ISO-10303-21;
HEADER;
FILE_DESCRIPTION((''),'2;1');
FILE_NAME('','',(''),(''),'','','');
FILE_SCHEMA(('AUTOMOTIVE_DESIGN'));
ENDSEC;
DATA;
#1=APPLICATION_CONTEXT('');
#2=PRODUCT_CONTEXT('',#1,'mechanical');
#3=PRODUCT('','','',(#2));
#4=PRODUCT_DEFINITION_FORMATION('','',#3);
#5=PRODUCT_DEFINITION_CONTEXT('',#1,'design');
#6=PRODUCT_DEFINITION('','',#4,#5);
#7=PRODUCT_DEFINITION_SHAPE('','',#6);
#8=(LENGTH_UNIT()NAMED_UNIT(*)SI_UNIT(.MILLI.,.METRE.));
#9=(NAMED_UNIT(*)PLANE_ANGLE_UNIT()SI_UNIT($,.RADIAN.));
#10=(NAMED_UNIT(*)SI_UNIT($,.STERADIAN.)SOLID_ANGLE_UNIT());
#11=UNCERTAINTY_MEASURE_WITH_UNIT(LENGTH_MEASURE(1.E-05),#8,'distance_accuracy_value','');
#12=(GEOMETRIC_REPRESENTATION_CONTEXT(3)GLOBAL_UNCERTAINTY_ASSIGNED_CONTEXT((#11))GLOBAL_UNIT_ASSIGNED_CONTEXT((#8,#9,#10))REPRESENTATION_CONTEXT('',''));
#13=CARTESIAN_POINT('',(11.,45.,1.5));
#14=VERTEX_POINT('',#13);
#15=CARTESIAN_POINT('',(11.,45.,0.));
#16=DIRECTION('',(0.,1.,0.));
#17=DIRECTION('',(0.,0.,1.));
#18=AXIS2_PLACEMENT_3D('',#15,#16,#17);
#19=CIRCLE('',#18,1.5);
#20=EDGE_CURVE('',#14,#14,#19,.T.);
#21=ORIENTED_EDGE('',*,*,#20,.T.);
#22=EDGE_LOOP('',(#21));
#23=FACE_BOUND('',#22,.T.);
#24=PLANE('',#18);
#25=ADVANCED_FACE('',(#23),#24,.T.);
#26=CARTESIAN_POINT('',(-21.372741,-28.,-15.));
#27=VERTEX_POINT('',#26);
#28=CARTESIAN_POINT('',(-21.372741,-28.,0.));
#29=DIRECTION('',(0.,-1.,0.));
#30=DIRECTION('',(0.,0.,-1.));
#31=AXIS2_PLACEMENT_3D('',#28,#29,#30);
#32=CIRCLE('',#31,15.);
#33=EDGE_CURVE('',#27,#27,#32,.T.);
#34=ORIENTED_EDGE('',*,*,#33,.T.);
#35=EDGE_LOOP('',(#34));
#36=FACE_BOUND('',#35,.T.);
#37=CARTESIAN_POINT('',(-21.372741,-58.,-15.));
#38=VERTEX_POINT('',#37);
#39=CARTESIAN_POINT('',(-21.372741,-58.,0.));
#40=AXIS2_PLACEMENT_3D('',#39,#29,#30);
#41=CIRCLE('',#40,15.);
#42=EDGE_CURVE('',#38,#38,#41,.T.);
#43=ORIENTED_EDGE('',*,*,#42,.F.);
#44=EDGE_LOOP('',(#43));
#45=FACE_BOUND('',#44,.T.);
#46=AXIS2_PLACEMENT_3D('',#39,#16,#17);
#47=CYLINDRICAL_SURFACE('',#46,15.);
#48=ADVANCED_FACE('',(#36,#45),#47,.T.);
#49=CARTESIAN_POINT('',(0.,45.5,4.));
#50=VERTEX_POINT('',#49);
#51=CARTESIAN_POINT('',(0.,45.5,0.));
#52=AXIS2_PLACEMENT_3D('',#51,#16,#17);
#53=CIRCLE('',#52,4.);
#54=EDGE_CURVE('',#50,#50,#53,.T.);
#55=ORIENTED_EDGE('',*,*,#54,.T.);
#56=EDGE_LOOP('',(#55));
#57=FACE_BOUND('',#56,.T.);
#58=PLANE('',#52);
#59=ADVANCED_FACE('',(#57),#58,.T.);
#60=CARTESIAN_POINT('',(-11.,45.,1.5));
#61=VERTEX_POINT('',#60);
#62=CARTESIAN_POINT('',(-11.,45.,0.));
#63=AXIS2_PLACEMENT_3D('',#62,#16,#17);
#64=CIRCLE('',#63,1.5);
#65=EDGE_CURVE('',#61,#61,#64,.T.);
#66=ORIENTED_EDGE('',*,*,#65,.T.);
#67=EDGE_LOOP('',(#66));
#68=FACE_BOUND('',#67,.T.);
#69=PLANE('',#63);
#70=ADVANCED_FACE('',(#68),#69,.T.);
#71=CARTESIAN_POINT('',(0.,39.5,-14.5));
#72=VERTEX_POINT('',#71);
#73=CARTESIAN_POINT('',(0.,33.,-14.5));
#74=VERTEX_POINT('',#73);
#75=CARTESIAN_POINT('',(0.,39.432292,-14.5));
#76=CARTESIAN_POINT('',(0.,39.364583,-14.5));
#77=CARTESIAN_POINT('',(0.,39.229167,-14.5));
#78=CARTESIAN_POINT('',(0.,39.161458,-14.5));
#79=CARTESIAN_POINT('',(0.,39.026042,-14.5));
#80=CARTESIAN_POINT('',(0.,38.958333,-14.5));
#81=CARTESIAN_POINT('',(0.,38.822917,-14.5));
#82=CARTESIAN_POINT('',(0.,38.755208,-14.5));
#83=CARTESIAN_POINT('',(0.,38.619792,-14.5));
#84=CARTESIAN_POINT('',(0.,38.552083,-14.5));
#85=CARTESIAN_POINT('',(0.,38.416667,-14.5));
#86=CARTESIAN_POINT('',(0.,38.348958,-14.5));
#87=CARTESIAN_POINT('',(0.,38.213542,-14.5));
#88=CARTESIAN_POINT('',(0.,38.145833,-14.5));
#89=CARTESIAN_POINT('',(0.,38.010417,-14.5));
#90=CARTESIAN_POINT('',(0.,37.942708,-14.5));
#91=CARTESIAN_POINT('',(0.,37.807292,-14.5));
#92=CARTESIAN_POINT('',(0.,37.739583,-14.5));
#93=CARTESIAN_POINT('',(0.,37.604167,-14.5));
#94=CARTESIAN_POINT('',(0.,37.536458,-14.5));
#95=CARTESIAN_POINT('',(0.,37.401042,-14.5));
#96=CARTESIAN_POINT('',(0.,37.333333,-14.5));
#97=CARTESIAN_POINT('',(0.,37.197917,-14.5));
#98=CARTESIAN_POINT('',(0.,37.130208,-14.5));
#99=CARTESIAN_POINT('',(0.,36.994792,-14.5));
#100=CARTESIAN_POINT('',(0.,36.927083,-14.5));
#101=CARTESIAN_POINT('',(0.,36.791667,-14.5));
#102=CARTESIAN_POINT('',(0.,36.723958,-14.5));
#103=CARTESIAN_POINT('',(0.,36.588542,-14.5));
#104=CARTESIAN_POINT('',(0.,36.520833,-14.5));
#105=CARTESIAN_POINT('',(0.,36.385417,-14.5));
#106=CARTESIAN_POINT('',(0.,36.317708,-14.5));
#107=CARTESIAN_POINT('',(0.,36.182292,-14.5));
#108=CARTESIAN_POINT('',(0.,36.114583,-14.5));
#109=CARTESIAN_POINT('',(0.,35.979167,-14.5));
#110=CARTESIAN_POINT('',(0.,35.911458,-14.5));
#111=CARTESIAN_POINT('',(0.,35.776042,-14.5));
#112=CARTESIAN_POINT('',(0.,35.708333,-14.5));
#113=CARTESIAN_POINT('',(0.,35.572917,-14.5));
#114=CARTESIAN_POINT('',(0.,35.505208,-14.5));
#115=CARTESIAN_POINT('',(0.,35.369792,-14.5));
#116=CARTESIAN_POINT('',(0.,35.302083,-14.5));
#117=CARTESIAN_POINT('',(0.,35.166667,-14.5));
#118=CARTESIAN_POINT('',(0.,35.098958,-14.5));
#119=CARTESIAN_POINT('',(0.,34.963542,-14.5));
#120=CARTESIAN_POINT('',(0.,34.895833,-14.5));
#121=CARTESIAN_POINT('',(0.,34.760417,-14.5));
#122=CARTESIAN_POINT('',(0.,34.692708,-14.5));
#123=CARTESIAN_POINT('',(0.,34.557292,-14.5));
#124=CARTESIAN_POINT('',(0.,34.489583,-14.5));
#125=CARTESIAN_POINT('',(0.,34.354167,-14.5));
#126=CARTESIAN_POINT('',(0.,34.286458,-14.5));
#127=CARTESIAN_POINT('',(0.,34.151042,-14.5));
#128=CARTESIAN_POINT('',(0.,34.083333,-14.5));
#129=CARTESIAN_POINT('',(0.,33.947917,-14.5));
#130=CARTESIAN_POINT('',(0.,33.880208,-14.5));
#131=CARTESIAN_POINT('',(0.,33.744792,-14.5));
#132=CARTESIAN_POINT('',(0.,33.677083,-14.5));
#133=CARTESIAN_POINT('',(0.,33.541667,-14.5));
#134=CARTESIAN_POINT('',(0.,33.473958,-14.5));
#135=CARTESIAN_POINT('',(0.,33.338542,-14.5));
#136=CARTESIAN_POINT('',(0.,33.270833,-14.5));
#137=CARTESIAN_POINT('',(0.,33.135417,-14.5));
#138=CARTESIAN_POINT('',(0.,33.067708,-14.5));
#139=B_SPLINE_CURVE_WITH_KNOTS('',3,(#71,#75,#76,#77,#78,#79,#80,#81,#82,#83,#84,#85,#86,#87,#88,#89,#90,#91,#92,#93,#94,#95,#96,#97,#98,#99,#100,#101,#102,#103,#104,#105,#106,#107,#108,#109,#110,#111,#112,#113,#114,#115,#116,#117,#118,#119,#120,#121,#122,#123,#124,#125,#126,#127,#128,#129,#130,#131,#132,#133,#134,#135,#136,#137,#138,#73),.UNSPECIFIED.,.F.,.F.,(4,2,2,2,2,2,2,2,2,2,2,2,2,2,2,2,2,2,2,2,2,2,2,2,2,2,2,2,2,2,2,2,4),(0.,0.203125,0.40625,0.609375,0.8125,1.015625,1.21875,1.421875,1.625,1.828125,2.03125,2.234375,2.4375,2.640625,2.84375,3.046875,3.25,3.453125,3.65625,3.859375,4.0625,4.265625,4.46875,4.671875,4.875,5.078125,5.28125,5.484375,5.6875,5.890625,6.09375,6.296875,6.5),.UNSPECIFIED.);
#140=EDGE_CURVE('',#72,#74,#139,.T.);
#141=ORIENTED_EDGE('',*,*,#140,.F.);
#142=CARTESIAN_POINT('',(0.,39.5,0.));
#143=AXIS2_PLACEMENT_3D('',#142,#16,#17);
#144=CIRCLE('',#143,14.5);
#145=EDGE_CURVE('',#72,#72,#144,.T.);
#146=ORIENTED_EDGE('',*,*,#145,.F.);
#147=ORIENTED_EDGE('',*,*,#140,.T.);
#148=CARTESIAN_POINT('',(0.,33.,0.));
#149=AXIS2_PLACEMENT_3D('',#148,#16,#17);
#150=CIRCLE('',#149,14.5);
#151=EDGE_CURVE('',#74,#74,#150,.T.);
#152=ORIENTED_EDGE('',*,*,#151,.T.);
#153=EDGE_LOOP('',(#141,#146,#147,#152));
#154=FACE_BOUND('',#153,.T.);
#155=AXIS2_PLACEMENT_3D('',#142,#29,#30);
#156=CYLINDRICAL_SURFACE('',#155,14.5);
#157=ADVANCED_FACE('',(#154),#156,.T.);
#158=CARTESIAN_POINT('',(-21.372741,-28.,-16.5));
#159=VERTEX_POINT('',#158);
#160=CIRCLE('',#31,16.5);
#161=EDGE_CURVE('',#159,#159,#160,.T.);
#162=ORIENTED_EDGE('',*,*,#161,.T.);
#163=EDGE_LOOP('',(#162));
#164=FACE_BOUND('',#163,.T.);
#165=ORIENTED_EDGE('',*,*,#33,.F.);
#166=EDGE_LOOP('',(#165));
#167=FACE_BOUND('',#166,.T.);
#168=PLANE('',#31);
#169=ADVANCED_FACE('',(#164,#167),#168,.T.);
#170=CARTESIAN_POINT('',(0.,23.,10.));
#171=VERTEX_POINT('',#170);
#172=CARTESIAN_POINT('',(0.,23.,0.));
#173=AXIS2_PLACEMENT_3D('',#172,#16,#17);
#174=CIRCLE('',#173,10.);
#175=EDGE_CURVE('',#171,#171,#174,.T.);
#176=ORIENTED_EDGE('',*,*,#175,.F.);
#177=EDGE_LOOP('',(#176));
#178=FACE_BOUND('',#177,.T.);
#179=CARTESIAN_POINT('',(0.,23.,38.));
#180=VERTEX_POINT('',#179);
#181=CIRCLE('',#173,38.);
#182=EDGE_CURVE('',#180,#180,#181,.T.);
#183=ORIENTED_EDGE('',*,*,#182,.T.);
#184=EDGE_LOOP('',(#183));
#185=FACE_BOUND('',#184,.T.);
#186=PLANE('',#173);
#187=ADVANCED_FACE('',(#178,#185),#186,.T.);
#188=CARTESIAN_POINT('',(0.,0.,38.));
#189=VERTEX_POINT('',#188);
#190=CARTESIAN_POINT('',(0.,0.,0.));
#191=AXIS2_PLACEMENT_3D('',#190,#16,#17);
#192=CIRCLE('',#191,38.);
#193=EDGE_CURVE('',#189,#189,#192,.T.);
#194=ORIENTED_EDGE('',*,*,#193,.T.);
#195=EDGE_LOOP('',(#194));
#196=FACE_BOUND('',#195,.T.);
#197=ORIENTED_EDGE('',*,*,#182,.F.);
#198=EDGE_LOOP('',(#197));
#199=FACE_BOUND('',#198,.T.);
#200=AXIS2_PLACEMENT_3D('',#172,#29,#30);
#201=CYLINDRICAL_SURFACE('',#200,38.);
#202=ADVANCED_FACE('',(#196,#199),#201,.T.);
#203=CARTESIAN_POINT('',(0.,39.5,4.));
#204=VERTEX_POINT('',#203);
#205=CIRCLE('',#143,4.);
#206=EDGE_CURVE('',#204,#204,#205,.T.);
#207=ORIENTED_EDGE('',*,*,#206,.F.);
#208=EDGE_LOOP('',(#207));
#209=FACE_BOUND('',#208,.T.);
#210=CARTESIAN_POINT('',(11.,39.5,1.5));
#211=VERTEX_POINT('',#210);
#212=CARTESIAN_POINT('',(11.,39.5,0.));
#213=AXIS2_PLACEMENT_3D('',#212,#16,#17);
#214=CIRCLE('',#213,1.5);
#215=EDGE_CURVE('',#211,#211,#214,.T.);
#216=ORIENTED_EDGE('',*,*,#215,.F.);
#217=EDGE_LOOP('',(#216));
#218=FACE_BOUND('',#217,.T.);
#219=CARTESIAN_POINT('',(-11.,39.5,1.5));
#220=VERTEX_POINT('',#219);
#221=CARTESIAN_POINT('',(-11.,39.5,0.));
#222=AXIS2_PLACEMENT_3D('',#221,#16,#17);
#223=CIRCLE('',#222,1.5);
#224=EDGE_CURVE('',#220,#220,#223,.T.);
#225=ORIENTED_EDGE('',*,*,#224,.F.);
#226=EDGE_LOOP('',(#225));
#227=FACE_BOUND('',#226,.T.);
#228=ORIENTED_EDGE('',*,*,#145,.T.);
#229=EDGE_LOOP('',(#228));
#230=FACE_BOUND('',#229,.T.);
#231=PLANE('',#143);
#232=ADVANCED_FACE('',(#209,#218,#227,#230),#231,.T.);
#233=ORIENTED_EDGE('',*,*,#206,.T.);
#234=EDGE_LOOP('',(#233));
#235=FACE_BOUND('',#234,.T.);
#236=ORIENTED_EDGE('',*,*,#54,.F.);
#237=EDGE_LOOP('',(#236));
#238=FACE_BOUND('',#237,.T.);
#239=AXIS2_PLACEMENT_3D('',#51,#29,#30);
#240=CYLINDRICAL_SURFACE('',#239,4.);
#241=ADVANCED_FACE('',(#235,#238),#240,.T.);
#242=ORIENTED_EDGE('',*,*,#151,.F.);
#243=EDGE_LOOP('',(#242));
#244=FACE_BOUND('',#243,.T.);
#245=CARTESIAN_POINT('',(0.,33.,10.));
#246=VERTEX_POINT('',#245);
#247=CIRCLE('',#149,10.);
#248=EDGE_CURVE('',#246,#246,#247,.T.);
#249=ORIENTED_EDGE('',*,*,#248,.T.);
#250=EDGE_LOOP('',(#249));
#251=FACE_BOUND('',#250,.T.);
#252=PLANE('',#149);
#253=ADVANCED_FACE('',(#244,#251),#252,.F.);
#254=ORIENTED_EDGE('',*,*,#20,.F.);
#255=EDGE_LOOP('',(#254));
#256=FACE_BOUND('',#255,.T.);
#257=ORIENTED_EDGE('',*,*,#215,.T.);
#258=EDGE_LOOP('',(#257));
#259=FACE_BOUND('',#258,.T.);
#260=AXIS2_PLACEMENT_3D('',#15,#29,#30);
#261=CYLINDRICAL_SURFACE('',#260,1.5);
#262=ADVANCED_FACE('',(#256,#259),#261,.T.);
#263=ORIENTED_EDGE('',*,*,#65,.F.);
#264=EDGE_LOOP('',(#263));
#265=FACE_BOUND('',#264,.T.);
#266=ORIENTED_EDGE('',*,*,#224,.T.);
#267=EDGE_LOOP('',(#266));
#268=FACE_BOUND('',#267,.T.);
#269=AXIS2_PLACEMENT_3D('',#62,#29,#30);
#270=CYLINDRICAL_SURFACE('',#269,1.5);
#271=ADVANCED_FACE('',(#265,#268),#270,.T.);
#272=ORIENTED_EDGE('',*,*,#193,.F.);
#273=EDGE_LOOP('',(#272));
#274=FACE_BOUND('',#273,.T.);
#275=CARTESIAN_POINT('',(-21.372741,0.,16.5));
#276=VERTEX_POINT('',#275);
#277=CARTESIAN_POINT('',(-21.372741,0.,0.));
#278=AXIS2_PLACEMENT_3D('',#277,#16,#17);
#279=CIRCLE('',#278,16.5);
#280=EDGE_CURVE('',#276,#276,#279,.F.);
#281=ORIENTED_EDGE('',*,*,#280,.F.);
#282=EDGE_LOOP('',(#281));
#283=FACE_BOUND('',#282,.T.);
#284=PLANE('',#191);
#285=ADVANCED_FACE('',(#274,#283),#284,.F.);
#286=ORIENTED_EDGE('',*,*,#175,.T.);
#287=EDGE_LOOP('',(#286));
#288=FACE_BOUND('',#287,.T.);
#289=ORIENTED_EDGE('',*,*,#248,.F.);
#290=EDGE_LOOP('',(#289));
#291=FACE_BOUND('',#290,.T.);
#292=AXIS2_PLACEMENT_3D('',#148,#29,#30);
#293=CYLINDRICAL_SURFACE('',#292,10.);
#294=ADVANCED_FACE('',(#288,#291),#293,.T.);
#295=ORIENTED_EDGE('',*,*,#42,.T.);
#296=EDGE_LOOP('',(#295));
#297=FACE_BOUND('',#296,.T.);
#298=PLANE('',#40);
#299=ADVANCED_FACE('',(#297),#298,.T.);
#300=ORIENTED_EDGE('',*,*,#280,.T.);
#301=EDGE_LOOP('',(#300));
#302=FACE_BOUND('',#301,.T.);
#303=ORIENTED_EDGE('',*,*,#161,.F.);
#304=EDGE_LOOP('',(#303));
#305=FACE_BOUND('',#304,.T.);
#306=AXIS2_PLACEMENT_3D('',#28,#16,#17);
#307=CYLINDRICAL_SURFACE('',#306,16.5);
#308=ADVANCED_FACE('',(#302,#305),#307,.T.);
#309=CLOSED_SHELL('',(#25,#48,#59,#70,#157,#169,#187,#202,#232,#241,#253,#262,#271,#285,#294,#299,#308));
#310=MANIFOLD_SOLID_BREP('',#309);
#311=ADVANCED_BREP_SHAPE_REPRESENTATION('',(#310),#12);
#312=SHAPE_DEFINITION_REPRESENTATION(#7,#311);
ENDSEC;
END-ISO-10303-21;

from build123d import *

# Parameters (mm, degrees)
SKETCH_1_R      = 38
EXTRUDE_1_DEPTH = 23
SKETCH_2_R      = 10
EXTRUDE_2_DEPTH = 10
SKETCH_3_R      = 14.5
EXTRUDE_3_DEPTH = 6.5
SKETCH_4_R      = 4
EXTRUDE_4_DEPTH = 6
SKETCH_5_R      = 1.5
EXTRUDE_5_DEPTH = 5.5
SKETCH_6_R      = 16.5
EXTRUDE_6_DEPTH = 28
SKETCH_7_R      = 15
EXTRUDE_7_DEPTH = 30


with BuildPart() as part:
    # Эскиз1 → Вытянуть1 (new body)
    with BuildSketch(Plane(origin=(0, 0, 0), x_dir=(1, 0, 0), z_dir=(0, 1, 0))):
        with Locations(Location((0, 0, 0), (0, 0, 270))):
            Circle(SKETCH_1_R)
    extrude(amount=EXTRUDE_1_DEPTH)

    # Эскиз2 → Вытянуть2 (add)
    with BuildSketch(Plane(origin=(0, 23, 0), x_dir=(1, 0, 0), z_dir=(0, 1, 0))):
        with Locations(Location((0, 0, 0), (0, 0, 270))):
            Circle(SKETCH_2_R)
    extrude(amount=EXTRUDE_2_DEPTH)

    # Эскиз3 → Вытянуть3 (add)
    with BuildSketch(Plane(origin=(0, 33, 0), x_dir=(1, 0, 0), z_dir=(0, 1, 0))):
        with Locations(Location((0, 0, 0), (0, 0, 90))):
            Circle(SKETCH_3_R)
    extrude(amount=EXTRUDE_3_DEPTH)

    # Эскиз4 → Вытянуть4 (add)
    with BuildSketch(Plane(origin=(0, 39.5, 0), x_dir=(-1, 0, 0), z_dir=(0, 1, 0))):
        with Locations(Location((0, 0, 0), (0, 0, 90))):
            Circle(SKETCH_4_R)
    extrude(amount=EXTRUDE_4_DEPTH)

    # Эскиз5 → Вытянуть5 (add)
    with BuildSketch(Plane(origin=(0, 39.5, 0), x_dir=(-1, 0, 0), z_dir=(0, 1, 0))):
        with Locations(Location((11, 0, 0), (0, 0, 90))):
            Circle(SKETCH_5_R)
        with Locations(Location((-11, 0, 0), (0, 0, 90))):
            Circle(SKETCH_5_R)
    extrude(amount=EXTRUDE_5_DEPTH)

    # Эскиз6 → Вытянуть6 (add)
    with BuildSketch(Plane.XZ):
        with Locations(Location((-21.372740523, 0, 0), (0, 0, 90))):
            Circle(SKETCH_6_R)
    extrude(amount=EXTRUDE_6_DEPTH)

    # Эскиз7 → Вытянуть7 (add)
    with BuildSketch(Plane.XZ.offset(28)):
        with Locations(Location((-21.372740523, 0, 0), (0, 0, 270))):
            Circle(SKETCH_7_R)
    extrude(amount=EXTRUDE_7_DEPTH)


solid = part.part
